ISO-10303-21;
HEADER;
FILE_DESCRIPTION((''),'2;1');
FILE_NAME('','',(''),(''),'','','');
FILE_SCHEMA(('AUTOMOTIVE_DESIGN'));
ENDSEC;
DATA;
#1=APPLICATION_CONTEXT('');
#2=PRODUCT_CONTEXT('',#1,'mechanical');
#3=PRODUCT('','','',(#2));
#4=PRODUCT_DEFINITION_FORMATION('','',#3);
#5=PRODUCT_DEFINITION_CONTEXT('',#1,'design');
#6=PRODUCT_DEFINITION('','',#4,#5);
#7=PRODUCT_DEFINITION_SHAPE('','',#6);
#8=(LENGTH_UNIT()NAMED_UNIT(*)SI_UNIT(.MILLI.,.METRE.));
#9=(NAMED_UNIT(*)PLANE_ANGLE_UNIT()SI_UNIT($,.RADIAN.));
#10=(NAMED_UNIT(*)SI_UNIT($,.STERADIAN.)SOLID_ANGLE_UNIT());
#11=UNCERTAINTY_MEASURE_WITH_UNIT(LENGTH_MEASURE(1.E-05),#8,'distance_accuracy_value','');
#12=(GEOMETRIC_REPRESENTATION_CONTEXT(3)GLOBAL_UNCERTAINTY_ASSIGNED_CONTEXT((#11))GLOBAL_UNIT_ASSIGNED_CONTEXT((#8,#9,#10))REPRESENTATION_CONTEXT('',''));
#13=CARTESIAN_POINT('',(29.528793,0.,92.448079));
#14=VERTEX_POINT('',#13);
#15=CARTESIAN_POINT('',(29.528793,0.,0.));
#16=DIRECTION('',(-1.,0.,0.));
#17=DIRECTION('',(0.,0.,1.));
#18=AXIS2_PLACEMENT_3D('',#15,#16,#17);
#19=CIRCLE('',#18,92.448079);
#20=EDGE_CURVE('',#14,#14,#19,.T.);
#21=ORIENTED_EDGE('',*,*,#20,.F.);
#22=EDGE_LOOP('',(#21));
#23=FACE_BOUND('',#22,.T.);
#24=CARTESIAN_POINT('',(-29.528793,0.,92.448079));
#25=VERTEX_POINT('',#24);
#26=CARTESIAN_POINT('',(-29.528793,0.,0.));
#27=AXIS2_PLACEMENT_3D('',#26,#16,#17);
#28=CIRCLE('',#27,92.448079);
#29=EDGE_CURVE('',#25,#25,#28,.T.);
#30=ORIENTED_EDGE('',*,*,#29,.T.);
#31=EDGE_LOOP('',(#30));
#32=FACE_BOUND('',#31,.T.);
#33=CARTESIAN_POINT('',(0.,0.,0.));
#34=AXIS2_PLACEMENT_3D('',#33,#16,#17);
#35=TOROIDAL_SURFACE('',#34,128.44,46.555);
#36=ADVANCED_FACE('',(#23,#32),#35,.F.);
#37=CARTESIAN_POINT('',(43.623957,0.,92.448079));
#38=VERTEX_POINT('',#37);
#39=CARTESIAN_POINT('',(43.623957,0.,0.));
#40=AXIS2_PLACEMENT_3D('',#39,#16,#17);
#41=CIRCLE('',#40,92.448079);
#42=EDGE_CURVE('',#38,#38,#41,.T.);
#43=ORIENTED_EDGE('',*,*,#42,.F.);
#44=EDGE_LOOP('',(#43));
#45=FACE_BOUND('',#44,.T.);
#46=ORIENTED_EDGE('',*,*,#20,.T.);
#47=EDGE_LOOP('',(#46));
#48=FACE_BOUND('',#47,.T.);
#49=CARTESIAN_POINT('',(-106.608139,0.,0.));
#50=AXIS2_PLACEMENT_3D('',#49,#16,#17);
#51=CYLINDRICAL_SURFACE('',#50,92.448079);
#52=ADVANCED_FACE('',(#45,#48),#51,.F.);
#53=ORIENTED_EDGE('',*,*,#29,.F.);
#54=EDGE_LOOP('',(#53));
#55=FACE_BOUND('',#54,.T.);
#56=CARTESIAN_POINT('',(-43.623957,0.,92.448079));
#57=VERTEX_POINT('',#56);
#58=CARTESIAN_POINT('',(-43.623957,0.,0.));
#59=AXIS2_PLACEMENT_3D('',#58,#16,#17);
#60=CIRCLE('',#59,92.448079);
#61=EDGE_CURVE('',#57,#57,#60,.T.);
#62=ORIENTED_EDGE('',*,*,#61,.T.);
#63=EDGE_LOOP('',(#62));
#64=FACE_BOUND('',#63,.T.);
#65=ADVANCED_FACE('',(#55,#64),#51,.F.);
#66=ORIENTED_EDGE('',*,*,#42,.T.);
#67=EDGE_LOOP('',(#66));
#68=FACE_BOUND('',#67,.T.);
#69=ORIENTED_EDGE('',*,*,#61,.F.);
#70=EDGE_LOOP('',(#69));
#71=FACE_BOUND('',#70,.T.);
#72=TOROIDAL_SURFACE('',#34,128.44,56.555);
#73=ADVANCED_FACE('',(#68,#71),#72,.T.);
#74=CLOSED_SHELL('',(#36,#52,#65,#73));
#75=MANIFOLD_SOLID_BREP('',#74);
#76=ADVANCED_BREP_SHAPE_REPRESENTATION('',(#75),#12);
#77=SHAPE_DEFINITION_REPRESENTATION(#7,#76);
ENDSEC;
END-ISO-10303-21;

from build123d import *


with BuildPart() as part:
    # Esquisse1 → Révolution1 (revolve)
    with BuildSketch(Plane.XY, mode=Mode.PRIVATE) as r_volution1_sk:
        with BuildLine():
            Line((-43.623957191, 92.448078907), (-29.528793423, 92.448078907))
            ThreePointArc((-29.528793423, 92.448078907), (0, 174.995), (29.528793423, 92.448078907))
            Line((29.528793423, 92.448078907), (43.623957191, 92.448078907))
            ThreePointArc((43.623957191, 92.448078907), (0, 184.995), (-43.623957191, 92.448078907))
        make_face()
    revolve(r_volution1_sk.sketch.rotate(Axis((-106.608138565, 0, 0), (1, 0, 0)), 90), axis=Axis((-106.608138565, 0, 0), (1, 0, 0)))


solid = part.part
